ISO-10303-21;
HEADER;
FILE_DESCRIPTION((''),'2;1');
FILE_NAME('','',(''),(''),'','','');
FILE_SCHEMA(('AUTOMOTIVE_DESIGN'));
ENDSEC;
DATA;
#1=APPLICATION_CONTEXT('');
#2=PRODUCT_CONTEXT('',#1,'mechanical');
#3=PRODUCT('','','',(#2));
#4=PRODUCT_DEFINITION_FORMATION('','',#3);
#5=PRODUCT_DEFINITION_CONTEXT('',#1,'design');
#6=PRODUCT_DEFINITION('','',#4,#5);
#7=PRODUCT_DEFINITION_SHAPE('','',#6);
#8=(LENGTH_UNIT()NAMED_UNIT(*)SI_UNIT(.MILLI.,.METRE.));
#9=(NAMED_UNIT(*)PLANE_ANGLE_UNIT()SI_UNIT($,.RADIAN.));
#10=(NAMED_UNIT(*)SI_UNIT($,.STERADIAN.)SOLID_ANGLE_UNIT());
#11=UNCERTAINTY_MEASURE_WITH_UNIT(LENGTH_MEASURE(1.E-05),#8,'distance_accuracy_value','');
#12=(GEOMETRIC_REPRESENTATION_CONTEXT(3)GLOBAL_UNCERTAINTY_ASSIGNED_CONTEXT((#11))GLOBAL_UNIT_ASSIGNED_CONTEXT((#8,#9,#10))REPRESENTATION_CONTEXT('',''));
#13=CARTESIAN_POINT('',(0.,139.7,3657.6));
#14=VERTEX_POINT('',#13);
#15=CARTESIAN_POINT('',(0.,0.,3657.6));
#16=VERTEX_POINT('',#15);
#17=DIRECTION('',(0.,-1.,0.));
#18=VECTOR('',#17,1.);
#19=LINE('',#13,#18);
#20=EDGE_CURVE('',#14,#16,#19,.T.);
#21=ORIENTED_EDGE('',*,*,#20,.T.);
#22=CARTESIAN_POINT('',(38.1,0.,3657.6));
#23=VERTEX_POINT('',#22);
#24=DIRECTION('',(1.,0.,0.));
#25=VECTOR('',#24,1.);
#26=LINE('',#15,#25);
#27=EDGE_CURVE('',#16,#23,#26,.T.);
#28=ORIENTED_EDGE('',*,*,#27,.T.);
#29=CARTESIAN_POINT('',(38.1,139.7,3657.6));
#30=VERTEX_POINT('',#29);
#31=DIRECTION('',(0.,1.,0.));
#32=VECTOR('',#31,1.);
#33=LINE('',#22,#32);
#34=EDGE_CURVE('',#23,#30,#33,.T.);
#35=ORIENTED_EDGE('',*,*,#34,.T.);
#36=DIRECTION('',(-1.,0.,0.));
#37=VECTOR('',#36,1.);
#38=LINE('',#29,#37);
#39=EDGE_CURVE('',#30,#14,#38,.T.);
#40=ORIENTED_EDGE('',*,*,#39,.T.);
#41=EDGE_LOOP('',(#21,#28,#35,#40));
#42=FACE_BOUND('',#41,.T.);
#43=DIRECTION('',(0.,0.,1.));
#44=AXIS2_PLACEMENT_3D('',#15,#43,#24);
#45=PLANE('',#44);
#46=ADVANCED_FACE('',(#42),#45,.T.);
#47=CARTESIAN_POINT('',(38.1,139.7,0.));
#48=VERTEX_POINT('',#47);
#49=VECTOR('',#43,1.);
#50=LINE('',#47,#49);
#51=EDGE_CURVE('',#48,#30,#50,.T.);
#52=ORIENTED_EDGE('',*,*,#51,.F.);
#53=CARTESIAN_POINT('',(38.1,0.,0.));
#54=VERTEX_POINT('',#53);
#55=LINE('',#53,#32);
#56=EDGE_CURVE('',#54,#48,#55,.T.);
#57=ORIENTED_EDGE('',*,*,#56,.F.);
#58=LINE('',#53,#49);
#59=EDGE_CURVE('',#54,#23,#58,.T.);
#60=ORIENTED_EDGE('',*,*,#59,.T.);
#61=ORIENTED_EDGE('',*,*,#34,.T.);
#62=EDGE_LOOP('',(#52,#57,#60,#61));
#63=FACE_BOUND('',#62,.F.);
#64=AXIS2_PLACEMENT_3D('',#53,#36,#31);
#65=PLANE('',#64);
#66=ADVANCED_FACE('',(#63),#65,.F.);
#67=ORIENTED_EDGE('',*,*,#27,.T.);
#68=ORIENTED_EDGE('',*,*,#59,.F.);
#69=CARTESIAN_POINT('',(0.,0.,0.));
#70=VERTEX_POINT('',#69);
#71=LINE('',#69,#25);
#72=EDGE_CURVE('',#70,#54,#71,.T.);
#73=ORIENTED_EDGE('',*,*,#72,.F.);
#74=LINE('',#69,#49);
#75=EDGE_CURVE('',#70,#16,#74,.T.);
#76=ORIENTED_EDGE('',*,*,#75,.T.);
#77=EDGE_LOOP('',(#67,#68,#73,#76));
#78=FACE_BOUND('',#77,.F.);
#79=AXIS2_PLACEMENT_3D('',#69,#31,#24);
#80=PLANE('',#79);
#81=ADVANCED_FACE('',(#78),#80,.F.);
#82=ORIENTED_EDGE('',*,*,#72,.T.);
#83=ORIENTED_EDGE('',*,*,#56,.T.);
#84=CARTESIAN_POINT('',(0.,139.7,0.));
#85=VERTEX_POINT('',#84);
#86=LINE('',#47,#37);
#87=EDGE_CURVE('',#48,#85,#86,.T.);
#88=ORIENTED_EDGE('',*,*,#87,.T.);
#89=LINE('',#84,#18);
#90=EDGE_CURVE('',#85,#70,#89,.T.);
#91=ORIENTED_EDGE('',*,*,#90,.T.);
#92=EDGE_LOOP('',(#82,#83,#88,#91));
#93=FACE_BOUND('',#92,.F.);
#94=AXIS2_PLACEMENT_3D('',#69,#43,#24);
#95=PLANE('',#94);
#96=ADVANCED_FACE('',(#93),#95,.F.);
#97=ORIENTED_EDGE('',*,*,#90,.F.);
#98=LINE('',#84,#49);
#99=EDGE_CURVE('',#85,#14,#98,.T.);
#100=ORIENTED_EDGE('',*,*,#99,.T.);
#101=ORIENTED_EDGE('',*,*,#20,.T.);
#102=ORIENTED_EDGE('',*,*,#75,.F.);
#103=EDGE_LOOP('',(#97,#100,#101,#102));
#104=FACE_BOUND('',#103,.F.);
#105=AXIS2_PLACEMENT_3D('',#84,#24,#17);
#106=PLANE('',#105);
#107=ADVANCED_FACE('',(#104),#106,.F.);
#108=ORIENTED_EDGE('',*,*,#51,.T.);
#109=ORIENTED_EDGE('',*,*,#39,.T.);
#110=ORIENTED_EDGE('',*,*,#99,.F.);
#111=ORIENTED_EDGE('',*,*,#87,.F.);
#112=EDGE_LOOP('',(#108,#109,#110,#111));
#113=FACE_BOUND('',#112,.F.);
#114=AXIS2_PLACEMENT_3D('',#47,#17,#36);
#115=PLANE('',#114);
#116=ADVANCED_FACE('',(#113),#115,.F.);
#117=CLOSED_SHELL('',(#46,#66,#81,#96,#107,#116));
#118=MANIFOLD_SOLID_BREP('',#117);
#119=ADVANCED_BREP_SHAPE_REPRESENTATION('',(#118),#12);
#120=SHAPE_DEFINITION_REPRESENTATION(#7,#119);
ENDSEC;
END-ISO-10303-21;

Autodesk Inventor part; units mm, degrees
ref_plane "YZ Plane" through (0, 0, 0) normal (1, 0, 0) x (0, 1, 0)
ref_plane "XZ Plane" through (0, 0, 0) normal (0, 1, 0) x (-1, 0, 0)
ref_plane "XY Plane" through (0, 0, 0) normal (0, 0, 1) x (1, 0, 0)
sketch "Sketch1" plane through (0, 0, 0) normal (0, 0, 1) x (1, 0, 0)
  line L0 (0, 0) -> (38.1, 0)
  line L1 (38.1, 0) -> (38.1, 139.7)
  line L2 (38.1, 139.7) -> (0, 139.7)
  line L3 (0, 139.7) -> (0, 0)
  dimension "d0" = 38.1
  dimension "d1" = 139.7
extrude "Extrusion1" add sketch "Sketch1" along normal blind 3657.6
properties part number "Joist_With_Length_144_Inches" material "Wood (Birch)"
